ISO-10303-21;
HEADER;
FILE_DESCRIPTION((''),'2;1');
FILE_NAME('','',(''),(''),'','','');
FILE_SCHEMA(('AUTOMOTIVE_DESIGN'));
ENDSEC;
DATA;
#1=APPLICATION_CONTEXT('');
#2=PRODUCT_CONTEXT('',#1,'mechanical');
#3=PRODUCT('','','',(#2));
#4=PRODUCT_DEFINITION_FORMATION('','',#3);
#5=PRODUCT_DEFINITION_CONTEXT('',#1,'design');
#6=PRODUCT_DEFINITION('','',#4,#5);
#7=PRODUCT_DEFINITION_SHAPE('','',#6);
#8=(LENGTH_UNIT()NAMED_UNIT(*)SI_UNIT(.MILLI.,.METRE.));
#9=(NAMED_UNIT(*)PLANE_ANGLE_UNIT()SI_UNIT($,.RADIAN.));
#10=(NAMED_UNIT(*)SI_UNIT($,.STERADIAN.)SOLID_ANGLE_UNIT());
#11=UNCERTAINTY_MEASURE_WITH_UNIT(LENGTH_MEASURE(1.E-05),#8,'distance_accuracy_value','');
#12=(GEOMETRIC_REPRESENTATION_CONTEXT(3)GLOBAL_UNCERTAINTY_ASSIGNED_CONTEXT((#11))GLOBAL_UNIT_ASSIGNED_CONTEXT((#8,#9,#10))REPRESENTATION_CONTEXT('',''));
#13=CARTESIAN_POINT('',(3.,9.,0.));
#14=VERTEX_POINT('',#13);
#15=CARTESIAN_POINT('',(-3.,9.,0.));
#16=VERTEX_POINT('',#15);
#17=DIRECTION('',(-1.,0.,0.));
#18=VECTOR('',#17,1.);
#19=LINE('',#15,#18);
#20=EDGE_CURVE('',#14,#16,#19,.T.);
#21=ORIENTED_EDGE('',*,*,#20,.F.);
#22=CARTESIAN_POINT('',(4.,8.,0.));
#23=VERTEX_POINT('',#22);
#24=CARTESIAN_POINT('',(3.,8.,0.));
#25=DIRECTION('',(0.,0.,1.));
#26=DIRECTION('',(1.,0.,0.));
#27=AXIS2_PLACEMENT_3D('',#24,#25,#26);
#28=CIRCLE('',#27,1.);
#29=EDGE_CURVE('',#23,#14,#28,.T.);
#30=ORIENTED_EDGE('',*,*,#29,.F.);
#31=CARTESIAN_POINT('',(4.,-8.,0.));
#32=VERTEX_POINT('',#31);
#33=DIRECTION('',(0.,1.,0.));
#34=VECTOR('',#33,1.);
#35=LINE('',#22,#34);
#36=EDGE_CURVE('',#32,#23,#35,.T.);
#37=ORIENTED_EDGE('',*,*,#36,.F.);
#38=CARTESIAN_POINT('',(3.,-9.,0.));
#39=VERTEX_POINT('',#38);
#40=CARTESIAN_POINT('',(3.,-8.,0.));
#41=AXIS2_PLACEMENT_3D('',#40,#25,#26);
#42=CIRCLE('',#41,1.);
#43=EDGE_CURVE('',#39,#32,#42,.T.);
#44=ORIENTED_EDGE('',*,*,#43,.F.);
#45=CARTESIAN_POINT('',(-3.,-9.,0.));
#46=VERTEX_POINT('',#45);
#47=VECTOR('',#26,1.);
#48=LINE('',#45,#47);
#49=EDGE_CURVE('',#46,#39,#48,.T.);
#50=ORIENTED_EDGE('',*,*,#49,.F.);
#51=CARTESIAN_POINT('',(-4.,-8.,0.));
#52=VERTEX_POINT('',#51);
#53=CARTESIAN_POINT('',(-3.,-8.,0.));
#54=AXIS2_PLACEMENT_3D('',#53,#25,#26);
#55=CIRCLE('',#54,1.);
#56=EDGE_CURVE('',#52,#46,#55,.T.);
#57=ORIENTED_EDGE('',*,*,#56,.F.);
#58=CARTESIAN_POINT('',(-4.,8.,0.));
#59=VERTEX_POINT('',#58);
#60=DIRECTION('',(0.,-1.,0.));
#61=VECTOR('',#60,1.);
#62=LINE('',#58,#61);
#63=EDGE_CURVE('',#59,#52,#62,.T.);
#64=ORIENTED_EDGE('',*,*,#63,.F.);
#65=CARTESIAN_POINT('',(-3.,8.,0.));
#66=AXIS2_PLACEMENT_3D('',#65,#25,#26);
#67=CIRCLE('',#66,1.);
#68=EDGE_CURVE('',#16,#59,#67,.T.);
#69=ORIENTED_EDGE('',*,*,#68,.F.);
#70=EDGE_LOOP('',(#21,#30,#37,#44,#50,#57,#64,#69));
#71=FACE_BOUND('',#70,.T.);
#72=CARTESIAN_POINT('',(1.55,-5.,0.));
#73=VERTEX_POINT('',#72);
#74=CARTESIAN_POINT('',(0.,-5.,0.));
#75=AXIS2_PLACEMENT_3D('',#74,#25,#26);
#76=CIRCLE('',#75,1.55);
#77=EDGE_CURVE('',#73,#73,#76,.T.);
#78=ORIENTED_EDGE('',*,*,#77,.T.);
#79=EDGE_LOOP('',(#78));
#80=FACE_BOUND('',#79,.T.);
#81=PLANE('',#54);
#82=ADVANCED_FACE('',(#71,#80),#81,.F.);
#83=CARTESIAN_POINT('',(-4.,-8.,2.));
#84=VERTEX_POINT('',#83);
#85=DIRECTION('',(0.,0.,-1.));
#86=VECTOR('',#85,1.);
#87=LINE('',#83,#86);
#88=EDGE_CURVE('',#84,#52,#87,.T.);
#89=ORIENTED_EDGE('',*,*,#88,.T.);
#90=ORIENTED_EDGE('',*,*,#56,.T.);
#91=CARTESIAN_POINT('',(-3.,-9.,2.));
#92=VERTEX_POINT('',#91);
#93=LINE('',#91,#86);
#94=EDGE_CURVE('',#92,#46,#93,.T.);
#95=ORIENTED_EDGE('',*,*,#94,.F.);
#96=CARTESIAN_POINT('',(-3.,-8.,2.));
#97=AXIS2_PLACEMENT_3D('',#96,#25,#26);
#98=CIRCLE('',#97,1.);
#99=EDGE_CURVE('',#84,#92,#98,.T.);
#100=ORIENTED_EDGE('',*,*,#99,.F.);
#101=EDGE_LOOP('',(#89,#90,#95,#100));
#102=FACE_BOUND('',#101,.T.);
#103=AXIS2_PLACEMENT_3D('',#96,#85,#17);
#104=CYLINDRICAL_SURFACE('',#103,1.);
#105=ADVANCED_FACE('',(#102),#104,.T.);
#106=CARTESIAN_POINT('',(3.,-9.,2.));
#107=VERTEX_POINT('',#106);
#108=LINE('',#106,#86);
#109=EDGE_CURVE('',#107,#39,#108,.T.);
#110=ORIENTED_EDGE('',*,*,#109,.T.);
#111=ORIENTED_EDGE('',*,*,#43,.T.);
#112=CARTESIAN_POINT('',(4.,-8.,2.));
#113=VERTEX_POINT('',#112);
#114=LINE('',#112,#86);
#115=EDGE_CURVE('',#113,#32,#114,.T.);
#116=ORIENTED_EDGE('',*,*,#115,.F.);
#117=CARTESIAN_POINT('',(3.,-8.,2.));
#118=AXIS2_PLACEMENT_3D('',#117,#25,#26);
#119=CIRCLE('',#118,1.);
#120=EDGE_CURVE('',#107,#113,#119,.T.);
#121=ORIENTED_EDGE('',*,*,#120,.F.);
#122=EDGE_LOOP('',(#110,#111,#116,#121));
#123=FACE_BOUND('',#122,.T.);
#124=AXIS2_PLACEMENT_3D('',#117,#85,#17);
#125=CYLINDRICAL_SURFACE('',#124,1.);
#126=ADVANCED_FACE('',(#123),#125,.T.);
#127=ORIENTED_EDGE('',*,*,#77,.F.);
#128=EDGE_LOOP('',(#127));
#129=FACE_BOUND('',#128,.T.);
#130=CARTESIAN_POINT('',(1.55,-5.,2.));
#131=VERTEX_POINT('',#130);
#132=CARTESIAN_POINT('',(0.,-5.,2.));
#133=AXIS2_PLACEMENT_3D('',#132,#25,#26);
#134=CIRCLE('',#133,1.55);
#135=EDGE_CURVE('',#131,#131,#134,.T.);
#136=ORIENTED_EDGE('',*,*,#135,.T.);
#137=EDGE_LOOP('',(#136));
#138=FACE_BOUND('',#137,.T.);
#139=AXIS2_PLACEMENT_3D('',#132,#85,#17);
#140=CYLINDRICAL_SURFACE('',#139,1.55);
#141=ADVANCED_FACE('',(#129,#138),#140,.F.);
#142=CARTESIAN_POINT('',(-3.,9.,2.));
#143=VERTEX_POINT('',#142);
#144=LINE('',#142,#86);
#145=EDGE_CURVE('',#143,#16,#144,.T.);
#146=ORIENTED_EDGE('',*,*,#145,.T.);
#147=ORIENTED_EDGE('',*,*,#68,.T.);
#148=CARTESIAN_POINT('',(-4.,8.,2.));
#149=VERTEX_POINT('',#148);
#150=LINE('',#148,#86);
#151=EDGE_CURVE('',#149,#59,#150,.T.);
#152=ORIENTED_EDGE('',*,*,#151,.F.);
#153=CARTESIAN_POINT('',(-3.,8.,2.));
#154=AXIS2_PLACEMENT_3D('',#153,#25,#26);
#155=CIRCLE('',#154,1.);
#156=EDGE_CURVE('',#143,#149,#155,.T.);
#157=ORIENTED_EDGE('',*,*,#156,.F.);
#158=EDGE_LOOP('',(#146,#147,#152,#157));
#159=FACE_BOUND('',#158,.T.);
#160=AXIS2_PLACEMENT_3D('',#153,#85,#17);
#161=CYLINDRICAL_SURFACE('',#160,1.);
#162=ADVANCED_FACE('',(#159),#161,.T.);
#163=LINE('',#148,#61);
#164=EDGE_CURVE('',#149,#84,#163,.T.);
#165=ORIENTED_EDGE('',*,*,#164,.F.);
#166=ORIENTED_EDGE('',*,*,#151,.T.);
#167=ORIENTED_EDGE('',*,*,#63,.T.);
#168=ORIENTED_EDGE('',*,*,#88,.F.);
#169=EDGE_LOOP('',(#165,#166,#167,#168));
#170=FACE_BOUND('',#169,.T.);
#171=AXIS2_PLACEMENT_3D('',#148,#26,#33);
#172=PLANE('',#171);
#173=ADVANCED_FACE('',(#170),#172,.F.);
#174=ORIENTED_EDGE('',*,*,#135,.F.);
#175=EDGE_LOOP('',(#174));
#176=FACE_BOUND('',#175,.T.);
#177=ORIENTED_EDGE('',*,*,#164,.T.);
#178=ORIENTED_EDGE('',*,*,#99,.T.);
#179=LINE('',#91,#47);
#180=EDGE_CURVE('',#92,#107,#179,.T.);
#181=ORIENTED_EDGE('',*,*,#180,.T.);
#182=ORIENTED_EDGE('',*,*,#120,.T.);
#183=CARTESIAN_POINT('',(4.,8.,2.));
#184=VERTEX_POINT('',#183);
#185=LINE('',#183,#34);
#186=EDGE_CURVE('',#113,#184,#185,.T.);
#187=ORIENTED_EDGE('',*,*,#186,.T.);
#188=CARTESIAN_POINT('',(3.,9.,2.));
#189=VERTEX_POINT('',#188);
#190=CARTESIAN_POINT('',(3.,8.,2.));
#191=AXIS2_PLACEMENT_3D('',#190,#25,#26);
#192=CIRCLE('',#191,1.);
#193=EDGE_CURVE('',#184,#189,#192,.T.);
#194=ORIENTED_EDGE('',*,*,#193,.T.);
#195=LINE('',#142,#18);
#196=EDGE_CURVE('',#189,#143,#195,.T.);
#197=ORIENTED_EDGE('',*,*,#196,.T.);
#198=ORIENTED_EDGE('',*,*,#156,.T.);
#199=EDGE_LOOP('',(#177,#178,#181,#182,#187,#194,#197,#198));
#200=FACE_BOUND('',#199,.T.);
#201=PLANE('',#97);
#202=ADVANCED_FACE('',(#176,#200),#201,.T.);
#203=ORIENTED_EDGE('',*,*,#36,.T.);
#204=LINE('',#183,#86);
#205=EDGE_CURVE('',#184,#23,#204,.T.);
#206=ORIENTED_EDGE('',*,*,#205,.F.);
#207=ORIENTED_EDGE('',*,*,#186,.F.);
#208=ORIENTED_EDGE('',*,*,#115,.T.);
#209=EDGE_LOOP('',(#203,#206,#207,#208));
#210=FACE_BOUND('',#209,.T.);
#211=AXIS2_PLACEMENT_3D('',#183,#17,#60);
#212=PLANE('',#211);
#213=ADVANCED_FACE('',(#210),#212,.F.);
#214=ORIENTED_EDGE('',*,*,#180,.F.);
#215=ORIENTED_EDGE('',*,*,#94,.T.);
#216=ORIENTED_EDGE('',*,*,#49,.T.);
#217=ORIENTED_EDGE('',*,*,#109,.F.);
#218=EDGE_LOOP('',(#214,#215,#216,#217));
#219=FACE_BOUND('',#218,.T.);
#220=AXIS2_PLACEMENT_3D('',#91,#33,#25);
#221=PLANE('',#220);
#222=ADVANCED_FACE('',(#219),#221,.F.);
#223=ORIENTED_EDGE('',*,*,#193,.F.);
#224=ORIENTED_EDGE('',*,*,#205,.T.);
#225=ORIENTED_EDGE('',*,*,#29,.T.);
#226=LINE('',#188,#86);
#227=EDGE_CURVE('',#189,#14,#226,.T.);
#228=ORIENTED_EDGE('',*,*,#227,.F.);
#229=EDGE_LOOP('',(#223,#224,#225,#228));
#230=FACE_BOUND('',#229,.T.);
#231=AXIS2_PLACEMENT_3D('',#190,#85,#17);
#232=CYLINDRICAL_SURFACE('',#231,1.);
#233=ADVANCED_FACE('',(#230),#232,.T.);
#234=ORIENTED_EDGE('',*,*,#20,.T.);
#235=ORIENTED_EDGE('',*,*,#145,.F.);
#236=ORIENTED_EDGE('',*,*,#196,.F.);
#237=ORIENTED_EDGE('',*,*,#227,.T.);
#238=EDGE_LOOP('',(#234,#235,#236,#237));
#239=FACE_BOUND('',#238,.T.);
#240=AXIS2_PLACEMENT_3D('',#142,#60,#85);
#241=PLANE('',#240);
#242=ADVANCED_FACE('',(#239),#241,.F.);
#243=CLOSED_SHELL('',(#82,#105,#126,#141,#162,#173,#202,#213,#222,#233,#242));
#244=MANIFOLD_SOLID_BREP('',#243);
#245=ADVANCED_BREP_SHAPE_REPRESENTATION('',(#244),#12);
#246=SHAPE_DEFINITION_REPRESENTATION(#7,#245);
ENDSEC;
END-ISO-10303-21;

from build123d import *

# Parameters (mm, degrees)
SKETCH_1_R      = 1.55
EXTRUDE_1_DEPTH = 2


with BuildPart() as part:
    # 草图1 → 凸台-拉伸1 (new body)
    with BuildSketch(Plane.XY):
        with BuildLine():
            Line((-3, 9), (3, 9))
            ThreePointArc((3, 9), (3.707106781, 8.707106781), (4, 8))
            Line((4, 8), (4, -8))
            ThreePointArc((4, -8), (3.707106781, -8.707106781), (3, -9))
            Line((3, -9), (-3, -9))
            ThreePointArc((-3, -9), (-3.707106781, -8.707106781), (-4, -8))
            Line((-4, -8), (-4, 8))
            ThreePointArc((-4, 8), (-3.707106781, 8.707106781), (-3, 9))
        make_face()
        with Locations((0, -5)):
            Circle(SKETCH_1_R, mode=Mode.SUBTRACT)
    extrude(amount=EXTRUDE_1_DEPTH)


solid = part.part
